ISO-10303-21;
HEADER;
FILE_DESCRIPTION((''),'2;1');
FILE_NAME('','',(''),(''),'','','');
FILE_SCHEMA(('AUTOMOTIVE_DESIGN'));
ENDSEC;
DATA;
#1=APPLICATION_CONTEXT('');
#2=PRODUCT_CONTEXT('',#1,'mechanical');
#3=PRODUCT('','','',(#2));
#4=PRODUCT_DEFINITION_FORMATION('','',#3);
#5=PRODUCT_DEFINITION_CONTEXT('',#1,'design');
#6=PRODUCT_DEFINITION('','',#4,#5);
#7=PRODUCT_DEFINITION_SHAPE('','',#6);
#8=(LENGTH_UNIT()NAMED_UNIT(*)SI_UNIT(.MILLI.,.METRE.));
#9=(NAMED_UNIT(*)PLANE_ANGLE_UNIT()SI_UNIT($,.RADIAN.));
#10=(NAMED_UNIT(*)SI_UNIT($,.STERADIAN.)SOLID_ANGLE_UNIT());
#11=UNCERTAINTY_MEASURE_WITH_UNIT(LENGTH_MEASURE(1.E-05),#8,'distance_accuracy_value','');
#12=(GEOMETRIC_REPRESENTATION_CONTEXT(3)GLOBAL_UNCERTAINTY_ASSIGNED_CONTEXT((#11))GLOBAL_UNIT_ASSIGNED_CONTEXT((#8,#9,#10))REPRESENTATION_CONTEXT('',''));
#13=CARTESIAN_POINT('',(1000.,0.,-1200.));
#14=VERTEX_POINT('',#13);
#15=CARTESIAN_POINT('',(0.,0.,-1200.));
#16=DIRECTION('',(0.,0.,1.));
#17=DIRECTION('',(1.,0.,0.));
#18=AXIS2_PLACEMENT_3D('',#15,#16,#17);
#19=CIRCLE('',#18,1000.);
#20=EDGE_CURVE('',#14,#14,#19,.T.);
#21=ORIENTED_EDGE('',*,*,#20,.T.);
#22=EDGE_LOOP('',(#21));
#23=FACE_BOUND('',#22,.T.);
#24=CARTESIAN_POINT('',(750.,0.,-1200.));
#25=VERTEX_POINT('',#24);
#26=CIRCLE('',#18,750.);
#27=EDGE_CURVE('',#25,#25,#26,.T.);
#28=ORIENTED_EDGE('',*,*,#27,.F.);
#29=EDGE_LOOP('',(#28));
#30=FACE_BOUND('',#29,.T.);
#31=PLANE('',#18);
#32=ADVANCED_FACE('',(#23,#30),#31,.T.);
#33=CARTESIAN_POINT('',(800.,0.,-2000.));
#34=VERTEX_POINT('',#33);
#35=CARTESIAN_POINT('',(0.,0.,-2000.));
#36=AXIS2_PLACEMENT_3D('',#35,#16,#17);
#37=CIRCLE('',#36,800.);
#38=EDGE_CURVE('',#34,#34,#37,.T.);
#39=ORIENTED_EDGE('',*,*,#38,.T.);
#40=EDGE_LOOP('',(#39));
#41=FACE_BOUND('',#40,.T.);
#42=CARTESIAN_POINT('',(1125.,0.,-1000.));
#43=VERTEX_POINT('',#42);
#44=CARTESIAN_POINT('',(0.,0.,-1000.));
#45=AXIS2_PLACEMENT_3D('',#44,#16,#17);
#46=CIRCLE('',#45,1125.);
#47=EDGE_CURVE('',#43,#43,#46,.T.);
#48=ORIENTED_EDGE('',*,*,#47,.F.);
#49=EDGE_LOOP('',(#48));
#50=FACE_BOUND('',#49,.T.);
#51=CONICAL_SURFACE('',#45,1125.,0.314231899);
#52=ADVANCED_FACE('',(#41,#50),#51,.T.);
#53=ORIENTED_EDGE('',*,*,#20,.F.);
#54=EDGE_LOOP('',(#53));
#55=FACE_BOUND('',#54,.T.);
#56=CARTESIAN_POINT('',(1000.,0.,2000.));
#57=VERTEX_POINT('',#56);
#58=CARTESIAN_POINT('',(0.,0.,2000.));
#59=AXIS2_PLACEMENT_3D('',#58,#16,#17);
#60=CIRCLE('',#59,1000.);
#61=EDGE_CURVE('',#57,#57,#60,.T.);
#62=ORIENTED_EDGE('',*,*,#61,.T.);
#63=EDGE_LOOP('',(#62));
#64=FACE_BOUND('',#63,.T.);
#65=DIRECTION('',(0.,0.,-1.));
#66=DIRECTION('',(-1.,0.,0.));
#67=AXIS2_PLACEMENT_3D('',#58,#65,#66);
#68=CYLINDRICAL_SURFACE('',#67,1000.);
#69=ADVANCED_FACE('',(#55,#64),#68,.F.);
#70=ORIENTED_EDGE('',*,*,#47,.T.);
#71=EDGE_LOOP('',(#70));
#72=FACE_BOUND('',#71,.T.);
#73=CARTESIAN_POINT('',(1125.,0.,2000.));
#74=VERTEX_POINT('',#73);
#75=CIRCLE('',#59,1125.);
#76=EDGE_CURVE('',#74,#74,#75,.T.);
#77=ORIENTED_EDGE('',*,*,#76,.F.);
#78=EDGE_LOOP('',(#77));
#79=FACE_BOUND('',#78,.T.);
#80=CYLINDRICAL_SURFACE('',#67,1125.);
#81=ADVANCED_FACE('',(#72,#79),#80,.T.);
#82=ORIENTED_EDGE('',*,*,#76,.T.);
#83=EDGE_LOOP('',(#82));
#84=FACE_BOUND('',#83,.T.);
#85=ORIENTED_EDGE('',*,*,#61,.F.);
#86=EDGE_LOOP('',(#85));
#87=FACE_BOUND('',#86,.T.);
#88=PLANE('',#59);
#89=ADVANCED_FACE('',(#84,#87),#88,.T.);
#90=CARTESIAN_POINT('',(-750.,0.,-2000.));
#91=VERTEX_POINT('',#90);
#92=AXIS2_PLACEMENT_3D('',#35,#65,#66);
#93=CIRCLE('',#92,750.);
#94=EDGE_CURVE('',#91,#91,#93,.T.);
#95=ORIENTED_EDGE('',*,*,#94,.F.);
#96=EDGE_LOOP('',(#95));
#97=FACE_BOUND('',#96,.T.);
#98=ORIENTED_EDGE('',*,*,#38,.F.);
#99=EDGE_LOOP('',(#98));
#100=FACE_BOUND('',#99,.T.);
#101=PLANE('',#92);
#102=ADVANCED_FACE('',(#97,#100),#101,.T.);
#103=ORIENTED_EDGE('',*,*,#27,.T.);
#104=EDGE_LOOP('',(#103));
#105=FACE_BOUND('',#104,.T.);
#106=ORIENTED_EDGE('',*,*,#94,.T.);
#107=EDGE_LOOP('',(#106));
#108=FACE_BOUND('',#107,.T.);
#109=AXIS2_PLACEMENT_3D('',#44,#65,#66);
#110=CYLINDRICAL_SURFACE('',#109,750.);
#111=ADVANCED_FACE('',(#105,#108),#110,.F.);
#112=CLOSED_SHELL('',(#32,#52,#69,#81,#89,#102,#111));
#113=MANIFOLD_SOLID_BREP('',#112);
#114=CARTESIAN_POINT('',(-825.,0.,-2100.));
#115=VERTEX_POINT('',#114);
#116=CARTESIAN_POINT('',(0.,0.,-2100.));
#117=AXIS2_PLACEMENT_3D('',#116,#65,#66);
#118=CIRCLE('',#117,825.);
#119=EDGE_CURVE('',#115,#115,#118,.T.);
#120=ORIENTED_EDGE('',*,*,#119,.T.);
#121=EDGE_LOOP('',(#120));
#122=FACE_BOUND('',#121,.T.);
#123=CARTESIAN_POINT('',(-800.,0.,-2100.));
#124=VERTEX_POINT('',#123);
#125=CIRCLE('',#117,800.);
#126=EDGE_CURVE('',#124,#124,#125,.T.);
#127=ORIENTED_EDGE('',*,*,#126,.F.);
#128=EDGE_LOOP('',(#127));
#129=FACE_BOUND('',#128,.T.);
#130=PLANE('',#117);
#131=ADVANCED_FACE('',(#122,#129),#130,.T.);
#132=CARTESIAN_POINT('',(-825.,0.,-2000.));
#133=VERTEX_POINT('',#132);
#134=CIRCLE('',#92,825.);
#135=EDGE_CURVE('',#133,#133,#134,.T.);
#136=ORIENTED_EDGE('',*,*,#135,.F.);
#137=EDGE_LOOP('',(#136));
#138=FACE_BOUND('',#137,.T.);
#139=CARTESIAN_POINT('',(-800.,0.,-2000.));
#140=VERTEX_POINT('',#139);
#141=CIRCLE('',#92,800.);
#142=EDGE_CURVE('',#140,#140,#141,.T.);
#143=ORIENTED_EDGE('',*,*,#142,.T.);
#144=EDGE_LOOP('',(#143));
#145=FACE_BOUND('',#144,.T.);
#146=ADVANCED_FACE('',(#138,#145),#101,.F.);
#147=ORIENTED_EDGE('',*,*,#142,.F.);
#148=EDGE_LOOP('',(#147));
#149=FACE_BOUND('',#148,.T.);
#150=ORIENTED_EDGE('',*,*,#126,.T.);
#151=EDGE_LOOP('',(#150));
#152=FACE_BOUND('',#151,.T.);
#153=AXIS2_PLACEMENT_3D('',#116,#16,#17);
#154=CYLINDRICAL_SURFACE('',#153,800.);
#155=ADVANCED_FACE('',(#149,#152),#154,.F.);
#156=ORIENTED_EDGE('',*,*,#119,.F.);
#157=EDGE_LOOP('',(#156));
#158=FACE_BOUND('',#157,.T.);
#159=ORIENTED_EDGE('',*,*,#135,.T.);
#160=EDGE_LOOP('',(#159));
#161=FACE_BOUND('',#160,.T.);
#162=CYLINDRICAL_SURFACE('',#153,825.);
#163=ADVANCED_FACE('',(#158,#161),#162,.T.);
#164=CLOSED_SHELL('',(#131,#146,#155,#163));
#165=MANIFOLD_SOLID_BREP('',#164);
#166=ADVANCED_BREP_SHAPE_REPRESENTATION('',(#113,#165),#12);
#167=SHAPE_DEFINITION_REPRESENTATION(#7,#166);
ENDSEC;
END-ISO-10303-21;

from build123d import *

# Parameters (mm, degrees)
SKETCH1_R           = 1125
SKETCH1_R_2         = 1000
BOSS_EXTRUDE1_DEPTH = 2000
CUT_EXTRUDE1_START  = -1200
SKETCH3_R           = 1000
CUT_EXTRUDE1_DEPTH  = 1200
SKETCH4_R           = 750
CUT_EXTRUDE2_DEPTH  = 1000
SKETCH5_R           = 825
SKETCH5_R_2         = 800
BOSS_EXTRUDE2_DEPTH = 100


with BuildPart() as part:
    # Sketch1 → Boss-Extrude1 (new body)
    with BuildSketch(Plane.XY):
        Circle(SKETCH1_R)
        Circle(SKETCH1_R_2, mode=Mode.SUBTRACT)
    extrude(amount=BOSS_EXTRUDE1_DEPTH)

    # Sketch2 → Revolve1 (revolve)
    with BuildSketch(Plane(origin=(0, 0, 0), x_dir=(0, 0, -1), z_dir=(1, 0, 0)), mode=Mode.PRIVATE) as revolve1_sk:
        Polygon((0, 0), (2000, 0), (2000, -800), (1000, -1125), (0, -1125), align=None)
    revolve(revolve1_sk.sketch.rotate(Axis((0, 0, 0), (0, 0, -1)), 270), axis=Axis((0, 0, 0), (0, 0, -1)))

    # Sketch3 → Cut-Extrude1 (cut)
    with BuildSketch(Plane.XY.offset(CUT_EXTRUDE1_START)):
        Circle(SKETCH3_R)
    extrude(amount=CUT_EXTRUDE1_DEPTH, mode=Mode.SUBTRACT)

    # Sketch4 → Cut-Extrude2 (cut)
    with BuildSketch(Plane(origin=(0, 0, -2000), x_dir=(-1, 0, 0), z_dir=(0, 0, -1))):
        Circle(SKETCH4_R)
    extrude(amount=-CUT_EXTRUDE2_DEPTH, mode=Mode.SUBTRACT)


with BuildPart() as body_2:
    # Sketch5 → Boss-Extrude2 (new body)
    with BuildSketch(Plane(origin=(0, 0, -2000), x_dir=(-1, 0, 0), z_dir=(0, 0, -1))):
        Circle(SKETCH5_R)
        Circle(SKETCH5_R_2, mode=Mode.SUBTRACT)
    extrude(amount=BOSS_EXTRUDE2_DEPTH)


solid = Compound([part.part, body_2.part])
